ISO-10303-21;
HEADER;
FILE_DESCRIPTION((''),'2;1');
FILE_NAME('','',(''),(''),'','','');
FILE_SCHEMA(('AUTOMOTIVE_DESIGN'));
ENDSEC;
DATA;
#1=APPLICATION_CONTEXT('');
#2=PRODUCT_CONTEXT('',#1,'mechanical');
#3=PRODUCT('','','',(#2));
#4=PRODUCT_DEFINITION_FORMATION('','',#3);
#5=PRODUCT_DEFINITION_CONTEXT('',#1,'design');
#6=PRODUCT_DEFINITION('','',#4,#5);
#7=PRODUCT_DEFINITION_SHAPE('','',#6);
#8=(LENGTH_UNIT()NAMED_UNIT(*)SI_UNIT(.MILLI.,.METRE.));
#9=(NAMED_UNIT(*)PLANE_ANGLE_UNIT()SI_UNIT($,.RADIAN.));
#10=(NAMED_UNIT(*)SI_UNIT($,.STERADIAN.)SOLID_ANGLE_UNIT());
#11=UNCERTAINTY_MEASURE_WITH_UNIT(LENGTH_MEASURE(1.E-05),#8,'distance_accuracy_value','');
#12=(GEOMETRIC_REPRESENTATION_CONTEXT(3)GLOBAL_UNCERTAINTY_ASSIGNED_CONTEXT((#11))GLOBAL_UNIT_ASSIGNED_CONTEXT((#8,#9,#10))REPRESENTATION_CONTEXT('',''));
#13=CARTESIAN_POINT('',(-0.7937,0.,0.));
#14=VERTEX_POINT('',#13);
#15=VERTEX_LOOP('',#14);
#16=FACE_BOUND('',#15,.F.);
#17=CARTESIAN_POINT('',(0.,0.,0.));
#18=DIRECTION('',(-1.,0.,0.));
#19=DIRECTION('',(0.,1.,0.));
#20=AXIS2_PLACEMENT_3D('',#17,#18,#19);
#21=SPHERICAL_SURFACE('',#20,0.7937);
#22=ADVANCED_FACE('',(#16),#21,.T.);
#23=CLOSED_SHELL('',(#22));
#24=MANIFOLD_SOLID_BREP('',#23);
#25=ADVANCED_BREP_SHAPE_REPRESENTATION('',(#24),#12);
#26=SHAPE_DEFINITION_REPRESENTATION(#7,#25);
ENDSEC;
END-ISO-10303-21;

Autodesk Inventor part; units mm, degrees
sketch "Sketch_1" plane through (0, 0, 0) normal (0, 0, 1) x (1, 0, 0)
  line L0 (0.7937, 0) -> (-0.7937, 0)
  arc A0 (0.7937, 0) -> (-0.7937, 0) centre (0, 0) ccw
  line L1 (0.7937, 0) -> (-0.7937, 0)
revolve "Revolution1" add sketch "Sketch_1" angle 360 about axis through (0.7937, 0, 0) along (1, 0, 0)
ref_plane "1_XY" through (0, 0, 0) normal (0, 0, 1) x (1, 0, 0)
ref_plane "1_YZ" through (0, 0, 0) normal (1, 0, 0) x (0, 1, 0)
ref_plane "1_ZX" through (0, 0, 0) normal (0, 1, 0) x (0, 0, 1)
properties part number "A-2015_ball"
